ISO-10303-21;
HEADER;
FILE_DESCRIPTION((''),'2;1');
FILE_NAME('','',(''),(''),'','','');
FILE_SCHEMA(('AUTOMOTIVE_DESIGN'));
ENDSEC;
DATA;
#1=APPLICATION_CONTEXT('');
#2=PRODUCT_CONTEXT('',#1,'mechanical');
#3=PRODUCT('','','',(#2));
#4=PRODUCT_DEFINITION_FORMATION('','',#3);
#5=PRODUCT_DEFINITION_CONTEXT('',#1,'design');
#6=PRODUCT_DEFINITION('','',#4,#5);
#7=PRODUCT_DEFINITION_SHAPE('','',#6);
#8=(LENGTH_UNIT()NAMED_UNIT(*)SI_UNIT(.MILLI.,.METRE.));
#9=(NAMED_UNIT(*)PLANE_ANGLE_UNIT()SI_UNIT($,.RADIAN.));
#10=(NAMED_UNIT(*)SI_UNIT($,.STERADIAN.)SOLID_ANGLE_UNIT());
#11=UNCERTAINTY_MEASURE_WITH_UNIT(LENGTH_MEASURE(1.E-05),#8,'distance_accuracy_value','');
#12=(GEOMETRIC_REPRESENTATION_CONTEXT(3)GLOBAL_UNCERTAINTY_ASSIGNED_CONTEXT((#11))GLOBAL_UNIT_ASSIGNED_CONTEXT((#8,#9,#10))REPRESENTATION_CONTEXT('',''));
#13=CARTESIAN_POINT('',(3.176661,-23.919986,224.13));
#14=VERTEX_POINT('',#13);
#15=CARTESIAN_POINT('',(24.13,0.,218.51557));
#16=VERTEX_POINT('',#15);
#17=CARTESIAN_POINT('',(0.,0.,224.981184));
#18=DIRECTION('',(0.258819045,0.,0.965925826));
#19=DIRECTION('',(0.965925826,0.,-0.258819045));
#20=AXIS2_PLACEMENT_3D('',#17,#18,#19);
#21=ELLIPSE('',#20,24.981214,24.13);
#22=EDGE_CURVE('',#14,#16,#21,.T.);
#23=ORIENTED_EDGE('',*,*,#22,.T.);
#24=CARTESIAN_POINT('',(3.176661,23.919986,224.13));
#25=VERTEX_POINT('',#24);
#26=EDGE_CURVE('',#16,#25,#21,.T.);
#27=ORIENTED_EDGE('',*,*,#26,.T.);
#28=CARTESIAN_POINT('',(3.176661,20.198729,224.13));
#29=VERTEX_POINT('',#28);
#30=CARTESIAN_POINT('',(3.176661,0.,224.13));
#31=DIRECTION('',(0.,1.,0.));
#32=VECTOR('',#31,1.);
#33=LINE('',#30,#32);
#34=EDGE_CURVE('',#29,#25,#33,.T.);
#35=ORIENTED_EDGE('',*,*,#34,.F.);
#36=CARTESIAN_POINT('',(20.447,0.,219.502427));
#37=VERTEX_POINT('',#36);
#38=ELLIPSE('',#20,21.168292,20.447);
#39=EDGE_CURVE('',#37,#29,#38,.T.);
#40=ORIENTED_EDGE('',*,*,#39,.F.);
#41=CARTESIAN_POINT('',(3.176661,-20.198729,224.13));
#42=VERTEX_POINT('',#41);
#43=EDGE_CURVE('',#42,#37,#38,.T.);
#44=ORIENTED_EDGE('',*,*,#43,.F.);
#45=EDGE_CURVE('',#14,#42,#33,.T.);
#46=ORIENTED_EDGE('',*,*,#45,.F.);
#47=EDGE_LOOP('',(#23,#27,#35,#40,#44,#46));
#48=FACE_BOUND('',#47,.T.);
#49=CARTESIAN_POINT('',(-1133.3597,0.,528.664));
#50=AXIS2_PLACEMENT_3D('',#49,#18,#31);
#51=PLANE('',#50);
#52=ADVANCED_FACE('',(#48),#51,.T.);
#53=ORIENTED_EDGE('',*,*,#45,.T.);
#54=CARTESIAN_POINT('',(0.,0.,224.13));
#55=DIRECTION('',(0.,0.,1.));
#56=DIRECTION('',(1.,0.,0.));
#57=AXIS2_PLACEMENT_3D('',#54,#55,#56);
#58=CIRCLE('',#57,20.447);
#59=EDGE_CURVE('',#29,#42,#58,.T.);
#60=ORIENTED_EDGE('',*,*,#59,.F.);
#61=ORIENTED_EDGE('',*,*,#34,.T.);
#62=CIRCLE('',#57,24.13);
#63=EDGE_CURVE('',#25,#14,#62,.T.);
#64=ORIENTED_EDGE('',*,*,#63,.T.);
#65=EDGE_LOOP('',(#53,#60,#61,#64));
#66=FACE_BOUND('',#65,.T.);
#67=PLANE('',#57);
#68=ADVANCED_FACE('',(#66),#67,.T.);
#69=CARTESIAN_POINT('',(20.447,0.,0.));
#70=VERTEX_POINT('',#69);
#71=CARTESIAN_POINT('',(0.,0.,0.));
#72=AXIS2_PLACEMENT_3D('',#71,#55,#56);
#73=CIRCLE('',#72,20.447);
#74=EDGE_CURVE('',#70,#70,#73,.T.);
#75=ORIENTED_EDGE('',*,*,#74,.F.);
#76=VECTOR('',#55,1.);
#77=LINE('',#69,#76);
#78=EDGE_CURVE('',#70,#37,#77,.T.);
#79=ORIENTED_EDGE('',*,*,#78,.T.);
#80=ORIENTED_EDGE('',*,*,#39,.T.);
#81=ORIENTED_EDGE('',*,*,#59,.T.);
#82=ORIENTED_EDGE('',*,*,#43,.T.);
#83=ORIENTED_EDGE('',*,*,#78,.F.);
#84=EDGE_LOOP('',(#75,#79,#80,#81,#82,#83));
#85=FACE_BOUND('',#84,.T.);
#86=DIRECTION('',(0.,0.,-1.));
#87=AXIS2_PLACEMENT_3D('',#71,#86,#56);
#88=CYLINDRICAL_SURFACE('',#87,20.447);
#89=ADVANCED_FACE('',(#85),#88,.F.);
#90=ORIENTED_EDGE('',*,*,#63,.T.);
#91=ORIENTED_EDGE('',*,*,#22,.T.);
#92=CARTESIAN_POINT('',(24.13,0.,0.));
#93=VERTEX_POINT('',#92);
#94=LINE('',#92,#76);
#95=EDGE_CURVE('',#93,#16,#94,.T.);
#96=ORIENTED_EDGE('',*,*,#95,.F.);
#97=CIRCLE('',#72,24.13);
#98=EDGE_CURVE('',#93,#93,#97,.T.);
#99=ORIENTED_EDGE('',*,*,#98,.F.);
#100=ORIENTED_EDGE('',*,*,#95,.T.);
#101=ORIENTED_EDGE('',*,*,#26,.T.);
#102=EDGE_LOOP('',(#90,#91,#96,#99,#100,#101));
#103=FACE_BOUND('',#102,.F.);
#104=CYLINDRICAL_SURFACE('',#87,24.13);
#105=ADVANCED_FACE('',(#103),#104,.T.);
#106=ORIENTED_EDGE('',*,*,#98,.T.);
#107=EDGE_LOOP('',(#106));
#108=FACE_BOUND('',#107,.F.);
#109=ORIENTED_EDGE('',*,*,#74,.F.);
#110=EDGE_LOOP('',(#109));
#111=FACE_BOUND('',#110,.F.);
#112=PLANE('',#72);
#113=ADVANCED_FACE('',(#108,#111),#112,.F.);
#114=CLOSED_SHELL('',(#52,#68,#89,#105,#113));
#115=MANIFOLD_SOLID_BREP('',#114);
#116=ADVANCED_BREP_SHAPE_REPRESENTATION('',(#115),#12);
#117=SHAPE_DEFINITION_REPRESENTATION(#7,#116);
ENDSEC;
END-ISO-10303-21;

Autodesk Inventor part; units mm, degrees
ref_plane "Start Plane" through (0, 0, 0) normal (0, 0, 1) x (1, 0, 0)
ref_plane "End Plane" through (0, 0, 224.13) normal (0, 0, 1) x (1, 0, 0)
sketch "Sketch" plane through (0, 0, 0) normal (0, 0, 1) x (1, 0, 0)
  circle A0 centre (0, 0) radius 20.447
  circle A1 centre (0, 0) radius 24.13
  dimension "d0" = 48.26
  dimension "d1" = 3.683
extrude "Body" add sketch "Sketch" along normal up to surface (224.13 mm away) from surface at 0
sketch "Sketch3" plane through (0, 0, 0) normal (0, 0, 1) x (1, 0, 0)
  line L0 (0, 0) -> (10, 0)
ref_plane "Work Plane3" through (0, 0, 0) normal (0, -1, 0) x (1, 0, 0)
ref_plane "Work Plane4" through (-1133.3597, 0, 528.664) normal (0.2588, 0, 0.9659) x (0.9659, 0, -0.2588)
split "Split1" plane through (-1133.3597, 0, 528.664) removes the side toward (0.2588, 0, 0.9659)
ref_plane "Work Plane5" through (0, 0, 224.13) normal (0, 0, 1) x (1, 0, 0)
split "Split2" plane through (0, 0, 224.13) removes the side toward (0, 0, 1)
sketch "Sketch4" plane through (0, 0, 0) normal (0, -1, 0) x (1, 0, 0)
  line L0 (-2, 0) -> (12, 0) projected
  line L1 (-2, 224.13) -> (12, 224.13) projected
  dimension "d7" = 224.13
equation "\"d0\" = G_H"
equation "\"d1\" = G_T"
equation "\"d2\" = G_L"
equation "\"G_H\" = 48.26"
equation "\"G_T\" = 3.683"
equation "\"G_L\" = d7"
equation "\"G_OFFSET_START\" = 0"
equation "\"G_OFFSET_END\" = 24.13"
equation "\"d5\" = G_OFFSET_END + B_L"
equation "\"B_L\" = 200"
properties part number "ANSI - 1 1/2 x 0.145 - 8.824" material "Steel, Mild"
